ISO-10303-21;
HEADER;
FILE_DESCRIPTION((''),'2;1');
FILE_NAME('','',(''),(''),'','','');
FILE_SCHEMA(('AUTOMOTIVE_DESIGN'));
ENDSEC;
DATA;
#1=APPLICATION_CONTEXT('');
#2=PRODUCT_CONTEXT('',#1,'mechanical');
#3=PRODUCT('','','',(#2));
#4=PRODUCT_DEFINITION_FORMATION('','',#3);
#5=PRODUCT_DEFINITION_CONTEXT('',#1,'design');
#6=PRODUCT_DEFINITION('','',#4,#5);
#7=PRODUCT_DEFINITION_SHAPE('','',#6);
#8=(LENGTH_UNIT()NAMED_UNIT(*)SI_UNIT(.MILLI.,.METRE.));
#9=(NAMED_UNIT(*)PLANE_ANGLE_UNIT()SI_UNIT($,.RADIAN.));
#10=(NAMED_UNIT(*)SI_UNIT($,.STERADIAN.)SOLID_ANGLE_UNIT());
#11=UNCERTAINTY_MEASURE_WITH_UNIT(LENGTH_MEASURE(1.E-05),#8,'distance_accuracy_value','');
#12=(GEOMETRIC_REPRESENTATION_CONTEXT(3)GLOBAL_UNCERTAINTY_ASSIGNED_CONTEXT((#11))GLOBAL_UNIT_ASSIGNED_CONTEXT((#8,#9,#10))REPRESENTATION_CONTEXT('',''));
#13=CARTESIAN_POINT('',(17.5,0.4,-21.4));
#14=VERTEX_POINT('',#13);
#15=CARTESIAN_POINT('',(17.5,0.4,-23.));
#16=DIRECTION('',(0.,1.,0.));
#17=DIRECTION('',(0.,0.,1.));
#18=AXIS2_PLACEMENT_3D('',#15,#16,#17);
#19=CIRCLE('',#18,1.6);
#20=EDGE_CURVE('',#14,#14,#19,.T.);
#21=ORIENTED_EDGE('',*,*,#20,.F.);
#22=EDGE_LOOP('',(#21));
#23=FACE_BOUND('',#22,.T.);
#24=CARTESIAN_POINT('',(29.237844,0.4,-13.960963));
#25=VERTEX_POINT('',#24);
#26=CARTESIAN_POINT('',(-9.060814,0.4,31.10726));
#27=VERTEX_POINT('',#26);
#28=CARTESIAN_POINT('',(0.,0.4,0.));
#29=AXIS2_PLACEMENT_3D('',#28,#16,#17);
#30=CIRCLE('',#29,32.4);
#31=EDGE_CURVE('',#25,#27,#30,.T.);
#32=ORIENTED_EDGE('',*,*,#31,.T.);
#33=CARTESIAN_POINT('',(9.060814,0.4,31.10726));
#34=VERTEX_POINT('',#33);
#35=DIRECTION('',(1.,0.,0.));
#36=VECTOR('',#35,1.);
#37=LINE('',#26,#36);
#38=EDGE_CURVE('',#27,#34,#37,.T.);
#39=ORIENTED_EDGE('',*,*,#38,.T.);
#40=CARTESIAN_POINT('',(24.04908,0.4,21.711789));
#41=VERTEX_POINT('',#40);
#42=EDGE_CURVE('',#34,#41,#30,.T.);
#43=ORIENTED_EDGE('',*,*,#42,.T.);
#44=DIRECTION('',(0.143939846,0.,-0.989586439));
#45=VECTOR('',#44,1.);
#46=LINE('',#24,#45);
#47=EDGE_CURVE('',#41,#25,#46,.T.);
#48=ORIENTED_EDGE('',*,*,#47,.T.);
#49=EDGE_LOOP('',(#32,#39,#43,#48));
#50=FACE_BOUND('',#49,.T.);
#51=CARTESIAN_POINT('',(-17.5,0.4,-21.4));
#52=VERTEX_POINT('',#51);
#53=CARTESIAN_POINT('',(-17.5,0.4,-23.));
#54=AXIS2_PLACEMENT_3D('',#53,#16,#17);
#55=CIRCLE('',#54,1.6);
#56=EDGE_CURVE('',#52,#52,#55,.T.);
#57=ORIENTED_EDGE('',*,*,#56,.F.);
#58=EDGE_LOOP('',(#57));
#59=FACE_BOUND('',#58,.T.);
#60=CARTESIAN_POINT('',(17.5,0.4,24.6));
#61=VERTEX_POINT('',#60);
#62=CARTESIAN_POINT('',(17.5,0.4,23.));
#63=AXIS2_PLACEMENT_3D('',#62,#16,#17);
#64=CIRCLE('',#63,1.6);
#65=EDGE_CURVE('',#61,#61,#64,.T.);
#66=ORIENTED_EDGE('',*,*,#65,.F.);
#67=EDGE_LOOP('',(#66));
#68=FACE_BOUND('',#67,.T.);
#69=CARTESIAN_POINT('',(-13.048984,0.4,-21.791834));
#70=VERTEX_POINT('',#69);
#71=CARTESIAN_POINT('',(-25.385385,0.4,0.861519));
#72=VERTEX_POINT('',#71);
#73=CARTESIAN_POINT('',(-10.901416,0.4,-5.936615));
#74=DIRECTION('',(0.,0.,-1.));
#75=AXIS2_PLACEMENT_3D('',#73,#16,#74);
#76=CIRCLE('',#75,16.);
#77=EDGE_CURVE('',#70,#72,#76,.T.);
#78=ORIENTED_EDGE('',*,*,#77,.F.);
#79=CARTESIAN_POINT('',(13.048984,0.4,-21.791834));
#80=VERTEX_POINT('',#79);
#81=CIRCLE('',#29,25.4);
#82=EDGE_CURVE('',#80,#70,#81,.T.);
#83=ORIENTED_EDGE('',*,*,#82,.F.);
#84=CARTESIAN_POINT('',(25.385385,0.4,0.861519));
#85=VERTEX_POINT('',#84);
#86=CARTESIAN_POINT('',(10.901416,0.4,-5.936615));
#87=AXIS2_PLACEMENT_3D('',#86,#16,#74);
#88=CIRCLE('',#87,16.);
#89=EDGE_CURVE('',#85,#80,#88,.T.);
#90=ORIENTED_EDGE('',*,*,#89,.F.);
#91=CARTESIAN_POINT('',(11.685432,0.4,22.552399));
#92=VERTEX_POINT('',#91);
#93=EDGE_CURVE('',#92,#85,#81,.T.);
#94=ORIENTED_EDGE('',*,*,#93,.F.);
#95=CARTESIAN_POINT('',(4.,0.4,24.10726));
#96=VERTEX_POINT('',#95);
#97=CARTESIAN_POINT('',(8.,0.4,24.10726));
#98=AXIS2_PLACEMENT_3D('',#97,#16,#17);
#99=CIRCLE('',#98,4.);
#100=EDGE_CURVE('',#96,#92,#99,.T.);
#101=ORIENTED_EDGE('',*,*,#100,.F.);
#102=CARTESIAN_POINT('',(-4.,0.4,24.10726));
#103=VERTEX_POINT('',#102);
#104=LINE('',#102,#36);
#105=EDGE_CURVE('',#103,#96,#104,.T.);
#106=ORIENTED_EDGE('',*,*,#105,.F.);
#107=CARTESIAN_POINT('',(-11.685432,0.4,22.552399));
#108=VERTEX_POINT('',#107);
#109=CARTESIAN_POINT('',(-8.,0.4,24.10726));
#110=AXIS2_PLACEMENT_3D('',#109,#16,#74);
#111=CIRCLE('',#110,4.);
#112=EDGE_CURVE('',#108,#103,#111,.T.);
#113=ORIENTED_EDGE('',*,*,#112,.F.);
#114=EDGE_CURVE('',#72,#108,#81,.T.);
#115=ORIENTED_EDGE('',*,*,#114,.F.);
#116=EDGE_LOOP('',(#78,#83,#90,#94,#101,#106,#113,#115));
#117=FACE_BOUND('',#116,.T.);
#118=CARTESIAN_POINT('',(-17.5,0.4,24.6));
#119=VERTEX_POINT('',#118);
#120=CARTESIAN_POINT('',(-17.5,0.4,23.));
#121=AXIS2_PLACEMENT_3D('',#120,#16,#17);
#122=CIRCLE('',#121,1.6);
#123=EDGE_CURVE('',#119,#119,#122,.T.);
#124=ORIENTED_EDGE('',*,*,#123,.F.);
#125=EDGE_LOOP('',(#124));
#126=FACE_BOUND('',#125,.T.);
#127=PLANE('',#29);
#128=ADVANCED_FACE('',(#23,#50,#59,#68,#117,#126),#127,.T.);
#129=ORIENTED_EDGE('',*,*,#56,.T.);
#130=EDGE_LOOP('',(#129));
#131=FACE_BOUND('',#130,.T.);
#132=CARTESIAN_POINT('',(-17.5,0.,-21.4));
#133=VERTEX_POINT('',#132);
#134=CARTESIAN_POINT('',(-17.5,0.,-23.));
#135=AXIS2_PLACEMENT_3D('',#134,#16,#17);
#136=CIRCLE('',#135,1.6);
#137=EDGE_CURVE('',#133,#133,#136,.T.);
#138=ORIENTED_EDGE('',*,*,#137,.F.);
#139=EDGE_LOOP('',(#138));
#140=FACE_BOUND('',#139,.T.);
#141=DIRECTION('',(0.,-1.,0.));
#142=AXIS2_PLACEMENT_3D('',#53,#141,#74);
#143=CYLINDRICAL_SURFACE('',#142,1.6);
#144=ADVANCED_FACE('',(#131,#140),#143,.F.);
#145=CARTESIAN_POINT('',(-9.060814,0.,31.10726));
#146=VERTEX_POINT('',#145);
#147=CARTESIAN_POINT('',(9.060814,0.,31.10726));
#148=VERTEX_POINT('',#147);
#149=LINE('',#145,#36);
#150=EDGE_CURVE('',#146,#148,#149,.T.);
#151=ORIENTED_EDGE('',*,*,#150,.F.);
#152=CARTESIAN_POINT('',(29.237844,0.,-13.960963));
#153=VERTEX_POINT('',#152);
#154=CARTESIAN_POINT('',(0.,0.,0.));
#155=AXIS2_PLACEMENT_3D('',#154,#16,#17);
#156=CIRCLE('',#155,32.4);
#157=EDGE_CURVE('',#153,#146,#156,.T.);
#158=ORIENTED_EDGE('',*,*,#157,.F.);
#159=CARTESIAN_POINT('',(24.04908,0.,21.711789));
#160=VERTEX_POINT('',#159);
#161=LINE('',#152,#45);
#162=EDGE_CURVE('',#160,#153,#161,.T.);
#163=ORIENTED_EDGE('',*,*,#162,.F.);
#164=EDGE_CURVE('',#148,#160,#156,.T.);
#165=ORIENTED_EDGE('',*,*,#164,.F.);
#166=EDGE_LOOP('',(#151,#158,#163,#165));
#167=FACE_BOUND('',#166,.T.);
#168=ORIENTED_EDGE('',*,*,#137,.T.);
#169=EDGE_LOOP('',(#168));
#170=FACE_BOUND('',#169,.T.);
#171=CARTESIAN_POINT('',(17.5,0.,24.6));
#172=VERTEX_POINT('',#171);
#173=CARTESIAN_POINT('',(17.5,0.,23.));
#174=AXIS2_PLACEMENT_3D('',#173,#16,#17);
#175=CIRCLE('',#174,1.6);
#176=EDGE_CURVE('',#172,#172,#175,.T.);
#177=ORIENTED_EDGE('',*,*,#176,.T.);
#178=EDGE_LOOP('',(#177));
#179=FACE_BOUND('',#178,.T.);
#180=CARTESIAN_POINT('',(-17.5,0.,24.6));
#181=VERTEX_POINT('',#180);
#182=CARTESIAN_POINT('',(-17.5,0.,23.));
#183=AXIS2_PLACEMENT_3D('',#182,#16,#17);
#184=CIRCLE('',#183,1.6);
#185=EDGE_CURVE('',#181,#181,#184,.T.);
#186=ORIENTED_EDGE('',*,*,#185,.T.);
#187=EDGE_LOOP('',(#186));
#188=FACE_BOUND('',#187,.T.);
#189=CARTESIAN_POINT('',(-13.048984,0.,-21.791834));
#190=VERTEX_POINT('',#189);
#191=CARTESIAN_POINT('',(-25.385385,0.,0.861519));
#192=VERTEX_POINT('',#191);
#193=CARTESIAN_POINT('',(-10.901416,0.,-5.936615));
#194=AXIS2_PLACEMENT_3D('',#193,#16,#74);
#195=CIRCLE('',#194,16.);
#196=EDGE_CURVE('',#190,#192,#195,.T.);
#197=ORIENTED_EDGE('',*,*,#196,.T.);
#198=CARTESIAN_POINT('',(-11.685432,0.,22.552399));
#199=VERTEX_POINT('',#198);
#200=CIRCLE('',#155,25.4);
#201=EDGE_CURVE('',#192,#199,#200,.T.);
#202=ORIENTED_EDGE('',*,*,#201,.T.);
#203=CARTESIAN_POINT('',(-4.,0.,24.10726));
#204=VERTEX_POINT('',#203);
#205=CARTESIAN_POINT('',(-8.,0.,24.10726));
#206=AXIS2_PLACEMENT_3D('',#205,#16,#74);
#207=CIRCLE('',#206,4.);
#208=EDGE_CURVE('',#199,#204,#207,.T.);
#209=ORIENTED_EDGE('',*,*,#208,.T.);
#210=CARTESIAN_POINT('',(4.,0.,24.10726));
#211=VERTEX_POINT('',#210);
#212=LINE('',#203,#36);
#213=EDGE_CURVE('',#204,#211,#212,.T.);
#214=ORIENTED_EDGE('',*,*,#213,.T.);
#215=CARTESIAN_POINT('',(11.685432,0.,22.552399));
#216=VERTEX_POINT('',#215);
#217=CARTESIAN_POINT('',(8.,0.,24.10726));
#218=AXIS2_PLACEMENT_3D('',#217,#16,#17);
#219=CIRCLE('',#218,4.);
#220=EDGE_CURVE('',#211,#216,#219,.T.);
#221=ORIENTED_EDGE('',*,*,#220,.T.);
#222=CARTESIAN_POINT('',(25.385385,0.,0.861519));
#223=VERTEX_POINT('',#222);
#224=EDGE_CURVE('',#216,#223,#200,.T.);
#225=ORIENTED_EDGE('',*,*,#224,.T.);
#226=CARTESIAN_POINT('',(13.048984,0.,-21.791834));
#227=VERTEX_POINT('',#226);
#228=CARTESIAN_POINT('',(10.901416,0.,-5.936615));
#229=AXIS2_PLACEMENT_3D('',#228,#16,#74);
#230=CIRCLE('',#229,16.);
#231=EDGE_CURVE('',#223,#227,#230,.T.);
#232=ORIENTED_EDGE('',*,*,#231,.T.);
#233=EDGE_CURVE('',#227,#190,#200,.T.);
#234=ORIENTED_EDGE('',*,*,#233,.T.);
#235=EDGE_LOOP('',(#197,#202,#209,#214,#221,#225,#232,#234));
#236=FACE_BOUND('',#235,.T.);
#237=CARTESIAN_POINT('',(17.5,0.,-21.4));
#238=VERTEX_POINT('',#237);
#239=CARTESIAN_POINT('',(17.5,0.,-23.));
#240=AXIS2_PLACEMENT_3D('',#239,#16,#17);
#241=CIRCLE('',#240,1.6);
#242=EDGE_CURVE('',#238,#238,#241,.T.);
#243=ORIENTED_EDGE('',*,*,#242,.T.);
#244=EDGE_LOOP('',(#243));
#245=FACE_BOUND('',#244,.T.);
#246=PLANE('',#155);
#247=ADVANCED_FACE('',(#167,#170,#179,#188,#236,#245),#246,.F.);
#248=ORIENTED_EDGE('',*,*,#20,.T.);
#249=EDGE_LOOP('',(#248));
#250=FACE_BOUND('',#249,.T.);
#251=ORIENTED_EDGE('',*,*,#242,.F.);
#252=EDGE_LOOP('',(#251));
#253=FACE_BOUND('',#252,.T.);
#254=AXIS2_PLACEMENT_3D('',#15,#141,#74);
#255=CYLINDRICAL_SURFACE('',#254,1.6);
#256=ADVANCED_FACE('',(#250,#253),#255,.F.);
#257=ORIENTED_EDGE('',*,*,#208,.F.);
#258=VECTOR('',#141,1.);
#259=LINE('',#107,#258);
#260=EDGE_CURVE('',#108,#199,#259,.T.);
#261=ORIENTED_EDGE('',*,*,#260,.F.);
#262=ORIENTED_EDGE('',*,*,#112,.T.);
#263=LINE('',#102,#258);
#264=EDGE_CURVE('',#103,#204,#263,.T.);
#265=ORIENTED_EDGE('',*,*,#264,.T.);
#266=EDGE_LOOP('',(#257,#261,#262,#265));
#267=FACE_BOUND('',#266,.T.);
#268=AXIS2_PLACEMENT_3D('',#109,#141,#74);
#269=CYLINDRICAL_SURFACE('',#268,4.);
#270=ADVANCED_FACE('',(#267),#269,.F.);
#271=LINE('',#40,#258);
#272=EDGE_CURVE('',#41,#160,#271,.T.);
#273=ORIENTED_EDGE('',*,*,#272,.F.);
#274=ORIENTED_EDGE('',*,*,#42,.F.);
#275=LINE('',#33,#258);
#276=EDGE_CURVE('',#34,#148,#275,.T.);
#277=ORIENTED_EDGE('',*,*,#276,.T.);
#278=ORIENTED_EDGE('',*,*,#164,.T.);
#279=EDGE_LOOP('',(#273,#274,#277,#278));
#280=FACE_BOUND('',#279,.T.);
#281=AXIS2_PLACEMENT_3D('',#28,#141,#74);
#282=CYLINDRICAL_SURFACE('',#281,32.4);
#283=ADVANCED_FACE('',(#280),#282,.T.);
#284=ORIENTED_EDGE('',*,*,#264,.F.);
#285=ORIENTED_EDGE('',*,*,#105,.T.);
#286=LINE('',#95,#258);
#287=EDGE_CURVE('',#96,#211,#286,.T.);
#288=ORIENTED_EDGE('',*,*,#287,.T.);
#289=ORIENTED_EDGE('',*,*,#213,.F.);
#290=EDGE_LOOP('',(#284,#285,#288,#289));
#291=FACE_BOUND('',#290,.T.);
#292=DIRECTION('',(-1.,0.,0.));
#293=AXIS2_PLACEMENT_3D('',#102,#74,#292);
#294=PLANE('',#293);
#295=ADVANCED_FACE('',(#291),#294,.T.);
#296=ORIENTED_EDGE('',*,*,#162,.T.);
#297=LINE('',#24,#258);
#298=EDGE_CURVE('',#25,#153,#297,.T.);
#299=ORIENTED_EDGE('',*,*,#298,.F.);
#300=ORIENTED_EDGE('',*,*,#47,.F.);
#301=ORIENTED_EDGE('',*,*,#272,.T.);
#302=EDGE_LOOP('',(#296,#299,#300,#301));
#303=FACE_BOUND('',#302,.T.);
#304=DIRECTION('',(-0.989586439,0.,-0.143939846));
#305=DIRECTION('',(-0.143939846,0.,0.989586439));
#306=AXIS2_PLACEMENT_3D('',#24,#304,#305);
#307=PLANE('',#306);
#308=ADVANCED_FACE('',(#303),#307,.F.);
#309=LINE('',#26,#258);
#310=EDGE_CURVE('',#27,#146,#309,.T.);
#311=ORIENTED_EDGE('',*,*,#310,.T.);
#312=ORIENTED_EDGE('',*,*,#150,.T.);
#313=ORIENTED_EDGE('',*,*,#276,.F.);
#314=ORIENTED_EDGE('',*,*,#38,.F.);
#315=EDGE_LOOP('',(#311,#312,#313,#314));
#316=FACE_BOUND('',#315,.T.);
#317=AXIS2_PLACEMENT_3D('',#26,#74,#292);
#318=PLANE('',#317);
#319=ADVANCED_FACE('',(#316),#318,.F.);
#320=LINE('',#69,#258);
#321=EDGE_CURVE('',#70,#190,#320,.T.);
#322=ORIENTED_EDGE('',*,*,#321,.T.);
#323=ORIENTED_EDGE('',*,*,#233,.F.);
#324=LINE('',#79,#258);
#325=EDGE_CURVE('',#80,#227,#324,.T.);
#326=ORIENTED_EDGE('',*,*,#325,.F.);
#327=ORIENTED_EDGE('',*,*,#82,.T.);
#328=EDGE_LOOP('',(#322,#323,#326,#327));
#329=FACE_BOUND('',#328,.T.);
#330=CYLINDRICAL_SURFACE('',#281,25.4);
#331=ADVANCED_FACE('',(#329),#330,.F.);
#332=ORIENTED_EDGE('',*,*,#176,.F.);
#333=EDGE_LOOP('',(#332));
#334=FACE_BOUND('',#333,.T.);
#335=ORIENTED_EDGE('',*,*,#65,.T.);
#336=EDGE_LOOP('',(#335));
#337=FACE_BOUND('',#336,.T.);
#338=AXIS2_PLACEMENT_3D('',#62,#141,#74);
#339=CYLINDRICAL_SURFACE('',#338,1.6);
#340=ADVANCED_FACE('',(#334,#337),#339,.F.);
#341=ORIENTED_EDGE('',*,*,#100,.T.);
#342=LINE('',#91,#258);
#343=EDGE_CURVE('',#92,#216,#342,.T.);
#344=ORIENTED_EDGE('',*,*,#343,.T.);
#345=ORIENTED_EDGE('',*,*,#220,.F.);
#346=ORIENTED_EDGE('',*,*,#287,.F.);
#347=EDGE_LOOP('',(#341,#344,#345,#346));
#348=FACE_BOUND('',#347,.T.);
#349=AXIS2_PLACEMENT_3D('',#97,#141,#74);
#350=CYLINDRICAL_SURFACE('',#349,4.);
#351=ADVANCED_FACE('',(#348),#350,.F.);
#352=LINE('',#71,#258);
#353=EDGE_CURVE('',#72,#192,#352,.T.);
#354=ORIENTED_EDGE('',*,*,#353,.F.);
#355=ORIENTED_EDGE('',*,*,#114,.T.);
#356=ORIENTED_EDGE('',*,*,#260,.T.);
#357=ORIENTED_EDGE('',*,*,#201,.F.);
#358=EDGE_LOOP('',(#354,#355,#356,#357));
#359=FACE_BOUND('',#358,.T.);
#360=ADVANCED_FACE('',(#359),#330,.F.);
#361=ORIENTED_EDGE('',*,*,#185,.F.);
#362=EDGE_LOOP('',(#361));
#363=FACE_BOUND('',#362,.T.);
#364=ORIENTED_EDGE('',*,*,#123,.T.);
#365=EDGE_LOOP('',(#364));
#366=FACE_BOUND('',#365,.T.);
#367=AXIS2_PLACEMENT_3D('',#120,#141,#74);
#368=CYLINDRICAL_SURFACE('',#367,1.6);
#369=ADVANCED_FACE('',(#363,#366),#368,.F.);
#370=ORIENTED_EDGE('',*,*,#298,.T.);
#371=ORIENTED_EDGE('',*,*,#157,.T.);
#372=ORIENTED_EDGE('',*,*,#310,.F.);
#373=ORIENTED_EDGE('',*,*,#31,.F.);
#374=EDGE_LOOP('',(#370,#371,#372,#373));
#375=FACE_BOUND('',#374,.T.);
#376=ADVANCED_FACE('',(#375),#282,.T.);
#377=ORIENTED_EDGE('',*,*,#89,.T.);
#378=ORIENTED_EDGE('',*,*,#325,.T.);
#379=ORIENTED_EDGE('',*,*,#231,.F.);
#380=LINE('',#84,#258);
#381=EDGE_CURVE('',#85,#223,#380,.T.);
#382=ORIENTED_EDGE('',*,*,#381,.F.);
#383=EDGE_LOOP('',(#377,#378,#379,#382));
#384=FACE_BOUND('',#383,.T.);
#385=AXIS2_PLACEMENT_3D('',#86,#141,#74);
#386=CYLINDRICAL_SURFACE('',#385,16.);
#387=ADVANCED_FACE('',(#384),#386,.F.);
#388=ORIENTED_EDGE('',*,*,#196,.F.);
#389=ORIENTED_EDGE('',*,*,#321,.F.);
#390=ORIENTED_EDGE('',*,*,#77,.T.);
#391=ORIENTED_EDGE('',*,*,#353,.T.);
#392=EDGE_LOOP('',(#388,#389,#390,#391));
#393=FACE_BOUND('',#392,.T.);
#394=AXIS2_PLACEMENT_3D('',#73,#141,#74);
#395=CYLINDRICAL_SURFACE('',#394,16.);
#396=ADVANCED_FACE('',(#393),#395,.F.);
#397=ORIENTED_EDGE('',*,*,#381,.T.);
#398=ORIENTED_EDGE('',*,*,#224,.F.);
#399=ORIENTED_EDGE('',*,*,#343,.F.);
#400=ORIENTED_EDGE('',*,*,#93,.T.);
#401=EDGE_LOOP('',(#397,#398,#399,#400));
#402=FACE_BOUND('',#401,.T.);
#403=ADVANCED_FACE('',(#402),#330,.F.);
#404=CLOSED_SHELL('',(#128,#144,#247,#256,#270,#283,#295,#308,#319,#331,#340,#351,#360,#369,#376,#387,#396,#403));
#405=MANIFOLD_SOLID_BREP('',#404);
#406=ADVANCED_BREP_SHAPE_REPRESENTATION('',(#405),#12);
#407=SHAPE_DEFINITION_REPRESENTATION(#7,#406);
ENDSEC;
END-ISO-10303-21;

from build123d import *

# Parameters (mm, degrees)
SKETCH1_R           = 1.6
BOSS_EXTRUDE1_DEPTH = 0.4


with BuildPart() as part:
    # Sketch1 → Boss-Extrude1 (new body)
    with BuildSketch(Plane(origin=(0, 0, 0), x_dir=(1, 0, 0), z_dir=(0, 1, 0))):
        with BuildLine():
            Line((29.237843605, 13.960963482), (24.049079653, -21.711788683))
            ThreePointArc((24.049079653, -21.711788683), (17.208573183, -27.452231403), (9.060814288, -31.107260317))
            Line((9.060814288, -31.107260317), (-9.060814288, -31.107260317))
            ThreePointArc((-9.060814288, -31.107260317), (-24.689356555, 20.980840614), (29.237843605, 13.960963482))
        make_face()
        with Locations(Location((-17.5, 23, 0), (0, 0, 270))):
            Circle(SKETCH1_R, mode=Mode.SUBTRACT)
        with Locations(Location((-17.5, -23, 0), (0, 0, 270))):
            Circle(SKETCH1_R, mode=Mode.SUBTRACT)
        with Locations(Location((17.5, -23, 0), (0, 0, 270))):
            Circle(SKETCH1_R, mode=Mode.SUBTRACT)
        with Locations(Location((17.5, 23, 0), (0, 0, 270))):
            Circle(SKETCH1_R, mode=Mode.SUBTRACT)
        with BuildLine():
            Line((-4, -24.107260317), (4, -24.107260317))
            ThreePointArc((4, -24.107260317), (8.793181532, -28.027829543), (11.685431528, -22.552398764))
            ThreePointArc((11.685431528, -22.552398764), (21.475216761, -13.563740822), (25.385385277, -0.861518628))
            ThreePointArc((25.385385277, -0.861518628), (24.952949632, 13.588699396), (13.048984262, 21.791833556))
            ThreePointArc((13.048984262, 21.791833556), (0, 25.4), (-13.048984262, 21.791833556))
            ThreePointArc((-13.048984262, 21.791833556), (-24.952949632, 13.588699396), (-25.385385277, -0.861518628))
            ThreePointArc((-25.385385277, -0.861518628), (-21.475216761, -13.563740822), (-11.685431528, -22.552398764))
            ThreePointArc((-11.685431528, -22.552398764), (-8.793181532, -28.027829543), (-4, -24.107260317))
        make_face(mode=Mode.SUBTRACT)
    extrude(amount=BOSS_EXTRUDE1_DEPTH)


solid = part.part
